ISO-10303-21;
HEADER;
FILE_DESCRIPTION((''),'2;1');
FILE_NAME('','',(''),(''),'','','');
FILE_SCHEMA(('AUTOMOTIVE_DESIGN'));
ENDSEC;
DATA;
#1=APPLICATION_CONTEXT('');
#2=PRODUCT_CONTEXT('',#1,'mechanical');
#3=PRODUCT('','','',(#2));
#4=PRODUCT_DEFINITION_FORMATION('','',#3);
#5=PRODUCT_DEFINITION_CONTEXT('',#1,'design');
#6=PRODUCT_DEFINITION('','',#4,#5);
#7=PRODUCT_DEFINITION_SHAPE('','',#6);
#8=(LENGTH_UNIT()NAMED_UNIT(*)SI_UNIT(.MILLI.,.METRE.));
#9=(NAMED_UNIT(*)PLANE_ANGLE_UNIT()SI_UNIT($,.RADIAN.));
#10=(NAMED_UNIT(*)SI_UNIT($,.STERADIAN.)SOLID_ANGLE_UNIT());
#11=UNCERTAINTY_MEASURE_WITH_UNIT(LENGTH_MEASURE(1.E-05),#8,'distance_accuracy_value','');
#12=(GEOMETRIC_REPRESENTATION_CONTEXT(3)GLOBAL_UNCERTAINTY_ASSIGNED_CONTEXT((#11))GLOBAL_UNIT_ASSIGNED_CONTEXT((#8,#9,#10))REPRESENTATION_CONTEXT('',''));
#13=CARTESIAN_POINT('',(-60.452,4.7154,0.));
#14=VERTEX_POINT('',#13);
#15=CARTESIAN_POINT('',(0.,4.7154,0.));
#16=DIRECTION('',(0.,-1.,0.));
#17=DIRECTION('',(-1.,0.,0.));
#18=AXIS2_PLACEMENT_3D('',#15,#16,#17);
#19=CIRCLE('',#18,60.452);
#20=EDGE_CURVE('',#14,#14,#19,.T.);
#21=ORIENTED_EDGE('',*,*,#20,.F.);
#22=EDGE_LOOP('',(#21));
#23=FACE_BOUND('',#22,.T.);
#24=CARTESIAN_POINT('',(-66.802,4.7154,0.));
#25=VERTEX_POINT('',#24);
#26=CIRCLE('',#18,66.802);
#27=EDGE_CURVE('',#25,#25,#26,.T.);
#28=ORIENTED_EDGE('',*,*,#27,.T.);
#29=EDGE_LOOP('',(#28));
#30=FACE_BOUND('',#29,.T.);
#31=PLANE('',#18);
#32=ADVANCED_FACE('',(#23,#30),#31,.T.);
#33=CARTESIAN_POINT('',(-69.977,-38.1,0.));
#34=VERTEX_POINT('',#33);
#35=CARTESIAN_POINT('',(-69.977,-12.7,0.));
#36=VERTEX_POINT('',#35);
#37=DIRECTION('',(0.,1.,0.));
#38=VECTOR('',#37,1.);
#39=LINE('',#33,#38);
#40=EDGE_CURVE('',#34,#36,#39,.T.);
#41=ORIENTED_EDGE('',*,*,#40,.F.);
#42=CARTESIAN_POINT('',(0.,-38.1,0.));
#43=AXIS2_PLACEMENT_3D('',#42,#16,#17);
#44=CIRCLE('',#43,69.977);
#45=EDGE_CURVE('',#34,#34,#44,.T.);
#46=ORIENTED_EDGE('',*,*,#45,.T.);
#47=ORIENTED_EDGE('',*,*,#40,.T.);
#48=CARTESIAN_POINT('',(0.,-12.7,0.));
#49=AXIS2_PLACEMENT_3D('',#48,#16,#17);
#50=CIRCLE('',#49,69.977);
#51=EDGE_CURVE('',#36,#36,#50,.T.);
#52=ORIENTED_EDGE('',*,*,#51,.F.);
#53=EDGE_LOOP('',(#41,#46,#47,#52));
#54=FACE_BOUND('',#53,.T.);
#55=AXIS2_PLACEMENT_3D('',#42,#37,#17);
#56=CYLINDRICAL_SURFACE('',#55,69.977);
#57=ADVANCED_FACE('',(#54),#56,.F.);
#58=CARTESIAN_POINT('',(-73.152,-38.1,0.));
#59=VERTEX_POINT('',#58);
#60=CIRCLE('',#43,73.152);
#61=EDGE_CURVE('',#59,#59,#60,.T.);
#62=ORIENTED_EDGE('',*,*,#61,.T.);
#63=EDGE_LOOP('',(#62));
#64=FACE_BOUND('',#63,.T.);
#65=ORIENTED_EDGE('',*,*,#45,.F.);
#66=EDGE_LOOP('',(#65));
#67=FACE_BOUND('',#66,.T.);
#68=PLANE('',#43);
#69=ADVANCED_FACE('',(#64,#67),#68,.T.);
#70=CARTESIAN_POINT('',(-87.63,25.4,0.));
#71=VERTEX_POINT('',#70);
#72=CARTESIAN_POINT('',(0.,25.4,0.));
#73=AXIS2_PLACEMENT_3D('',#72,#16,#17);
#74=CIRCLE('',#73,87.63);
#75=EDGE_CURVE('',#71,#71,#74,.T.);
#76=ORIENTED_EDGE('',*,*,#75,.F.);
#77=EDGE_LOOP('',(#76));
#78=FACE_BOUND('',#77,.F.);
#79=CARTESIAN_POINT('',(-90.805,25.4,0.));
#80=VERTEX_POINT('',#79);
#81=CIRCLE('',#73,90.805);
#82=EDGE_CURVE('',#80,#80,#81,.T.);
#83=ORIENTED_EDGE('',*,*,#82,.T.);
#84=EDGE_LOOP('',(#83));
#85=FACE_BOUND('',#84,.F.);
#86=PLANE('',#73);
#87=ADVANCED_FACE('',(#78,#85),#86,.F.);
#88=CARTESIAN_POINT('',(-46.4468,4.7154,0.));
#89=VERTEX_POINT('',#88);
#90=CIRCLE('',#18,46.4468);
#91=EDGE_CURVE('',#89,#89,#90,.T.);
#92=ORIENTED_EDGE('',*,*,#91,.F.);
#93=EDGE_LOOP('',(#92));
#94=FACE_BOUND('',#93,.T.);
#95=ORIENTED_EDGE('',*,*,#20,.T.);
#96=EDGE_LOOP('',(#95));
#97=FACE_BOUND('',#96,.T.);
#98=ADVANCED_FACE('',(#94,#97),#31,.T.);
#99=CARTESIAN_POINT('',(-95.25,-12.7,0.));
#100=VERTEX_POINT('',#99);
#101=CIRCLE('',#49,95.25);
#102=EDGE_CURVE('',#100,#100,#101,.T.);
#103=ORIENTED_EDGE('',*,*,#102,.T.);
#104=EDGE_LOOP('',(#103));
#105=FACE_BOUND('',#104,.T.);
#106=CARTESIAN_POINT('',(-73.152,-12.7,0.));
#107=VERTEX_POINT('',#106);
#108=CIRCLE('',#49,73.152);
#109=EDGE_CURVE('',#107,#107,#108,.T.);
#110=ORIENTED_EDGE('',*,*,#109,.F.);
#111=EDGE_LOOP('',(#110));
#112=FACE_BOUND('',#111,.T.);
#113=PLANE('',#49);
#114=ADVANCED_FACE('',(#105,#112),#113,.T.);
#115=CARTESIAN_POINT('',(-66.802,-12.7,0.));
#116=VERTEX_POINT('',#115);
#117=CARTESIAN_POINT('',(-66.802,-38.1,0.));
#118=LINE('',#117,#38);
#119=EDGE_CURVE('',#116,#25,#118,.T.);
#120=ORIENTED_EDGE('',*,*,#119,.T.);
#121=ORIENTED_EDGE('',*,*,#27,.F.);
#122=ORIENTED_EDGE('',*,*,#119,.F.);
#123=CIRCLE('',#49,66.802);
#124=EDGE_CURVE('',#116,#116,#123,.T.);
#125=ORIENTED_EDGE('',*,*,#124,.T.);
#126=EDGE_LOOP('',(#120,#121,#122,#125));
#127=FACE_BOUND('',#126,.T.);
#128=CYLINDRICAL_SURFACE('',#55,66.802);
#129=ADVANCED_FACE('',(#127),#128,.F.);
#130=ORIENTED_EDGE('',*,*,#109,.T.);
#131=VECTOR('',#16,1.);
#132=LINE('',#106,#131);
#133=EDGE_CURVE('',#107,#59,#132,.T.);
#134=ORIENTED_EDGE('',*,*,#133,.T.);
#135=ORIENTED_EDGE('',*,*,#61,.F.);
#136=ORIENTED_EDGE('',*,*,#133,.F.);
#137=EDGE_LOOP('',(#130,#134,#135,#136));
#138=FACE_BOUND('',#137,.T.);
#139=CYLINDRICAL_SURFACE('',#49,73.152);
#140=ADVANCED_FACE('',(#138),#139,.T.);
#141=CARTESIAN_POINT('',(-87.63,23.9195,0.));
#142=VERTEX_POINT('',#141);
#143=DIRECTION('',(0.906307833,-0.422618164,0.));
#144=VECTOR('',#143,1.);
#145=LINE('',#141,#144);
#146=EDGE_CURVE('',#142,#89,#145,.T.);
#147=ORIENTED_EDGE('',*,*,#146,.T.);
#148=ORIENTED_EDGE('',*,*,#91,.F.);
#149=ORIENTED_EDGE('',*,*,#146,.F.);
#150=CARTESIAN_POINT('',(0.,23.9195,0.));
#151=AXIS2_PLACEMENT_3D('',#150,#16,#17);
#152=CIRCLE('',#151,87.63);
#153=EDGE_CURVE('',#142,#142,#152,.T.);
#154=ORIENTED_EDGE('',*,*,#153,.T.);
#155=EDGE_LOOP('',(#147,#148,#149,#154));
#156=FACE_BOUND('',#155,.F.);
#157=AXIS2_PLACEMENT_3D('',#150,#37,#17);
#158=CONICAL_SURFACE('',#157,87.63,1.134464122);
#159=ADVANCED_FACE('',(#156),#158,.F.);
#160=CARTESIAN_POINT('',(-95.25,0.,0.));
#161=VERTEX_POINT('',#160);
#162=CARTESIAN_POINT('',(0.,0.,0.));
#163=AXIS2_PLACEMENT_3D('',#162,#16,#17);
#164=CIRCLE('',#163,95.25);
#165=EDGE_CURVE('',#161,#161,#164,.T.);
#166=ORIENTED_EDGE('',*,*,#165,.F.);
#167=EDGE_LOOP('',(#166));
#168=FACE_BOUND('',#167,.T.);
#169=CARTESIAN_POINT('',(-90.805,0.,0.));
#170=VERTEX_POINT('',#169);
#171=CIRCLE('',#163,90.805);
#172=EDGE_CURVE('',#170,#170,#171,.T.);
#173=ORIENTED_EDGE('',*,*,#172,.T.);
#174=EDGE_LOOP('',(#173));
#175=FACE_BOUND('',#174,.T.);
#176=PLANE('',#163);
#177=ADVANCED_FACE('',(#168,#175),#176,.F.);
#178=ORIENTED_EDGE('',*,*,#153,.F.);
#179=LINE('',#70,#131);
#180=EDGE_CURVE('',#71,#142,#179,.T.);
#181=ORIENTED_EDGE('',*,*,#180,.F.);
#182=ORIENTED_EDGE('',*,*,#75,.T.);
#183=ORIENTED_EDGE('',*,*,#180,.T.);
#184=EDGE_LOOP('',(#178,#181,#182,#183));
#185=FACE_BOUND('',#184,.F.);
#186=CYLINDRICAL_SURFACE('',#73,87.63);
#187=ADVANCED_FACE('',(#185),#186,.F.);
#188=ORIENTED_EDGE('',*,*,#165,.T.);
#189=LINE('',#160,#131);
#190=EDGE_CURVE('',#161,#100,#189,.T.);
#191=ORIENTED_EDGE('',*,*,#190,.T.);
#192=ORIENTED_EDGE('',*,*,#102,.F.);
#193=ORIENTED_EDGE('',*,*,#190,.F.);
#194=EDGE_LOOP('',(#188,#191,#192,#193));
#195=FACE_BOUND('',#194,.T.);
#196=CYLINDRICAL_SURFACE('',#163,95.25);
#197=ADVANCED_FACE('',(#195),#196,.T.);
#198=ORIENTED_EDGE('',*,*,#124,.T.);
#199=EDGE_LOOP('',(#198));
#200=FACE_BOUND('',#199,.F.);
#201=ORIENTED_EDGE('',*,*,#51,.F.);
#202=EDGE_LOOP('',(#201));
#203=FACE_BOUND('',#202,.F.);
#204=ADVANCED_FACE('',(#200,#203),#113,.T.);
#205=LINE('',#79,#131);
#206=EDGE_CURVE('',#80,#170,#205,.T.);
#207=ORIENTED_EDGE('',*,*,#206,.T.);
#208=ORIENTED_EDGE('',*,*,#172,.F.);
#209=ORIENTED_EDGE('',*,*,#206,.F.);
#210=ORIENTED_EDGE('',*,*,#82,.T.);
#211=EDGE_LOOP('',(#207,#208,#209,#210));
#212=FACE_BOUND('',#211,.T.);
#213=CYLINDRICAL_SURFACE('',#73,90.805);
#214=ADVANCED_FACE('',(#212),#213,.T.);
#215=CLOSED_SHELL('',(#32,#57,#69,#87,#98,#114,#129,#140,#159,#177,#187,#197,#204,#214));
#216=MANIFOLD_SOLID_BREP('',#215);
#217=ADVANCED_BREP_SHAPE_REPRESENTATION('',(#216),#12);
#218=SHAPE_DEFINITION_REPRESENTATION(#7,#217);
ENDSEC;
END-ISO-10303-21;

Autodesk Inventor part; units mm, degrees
ref_plane "YZ Plane" through (0, 0, 0) normal (1, 0, 0) x (0, 1, 0)
ref_plane "XZ Plane" through (0, 0, 0) normal (0, 1, 0) x (-1, 0, 0)
ref_plane "XY Plane" through (0, 0, 0) normal (0, 0, 1) x (1, 0, 0)
sketch "Sketch1" plane through (0, 0, 0) normal (0, 0, 1) x (1, 0, 0)
  line L0 (0, 25.4) -> (-28.702, 25.4) construction
  line L1 (0, 25.4) -> (-95.25, 25.4) construction
  line L2 (-95.25, 25.4) -> (-90.805, 25.4) construction
  line L3 (-90.805, 25.4) -> (-90.805, 22.4389) construction
  line L4 (-90.805, 0) -> (-95.25, 0)
  line L5 (-28.702, 59.6457) -> (-28.702, -91.9304) construction
  arc A0 (-28.9184, -9.248) -> (-32.3684, -1.8494) centre (-35.052, -7.6045) ccw
  line L6 (-76.2, -185.7054) -> (-28.702, -8.4405)
  line L7 (-90.805, 25.4) -> (-90.805, 0)
  line L8 (-87.63, 23.9195) -> (-32.3684, -1.8494)
  line L9 (-28.702, -7.6045) -> (-60.452, -7.6045) construction
  line L10 (-60.452, -126.9331) -> (-54.102, -126.9331) construction
  line L11 (-54.102, -126.9331) -> (-54.102, -103.2346) construction
  line L12 (-54.102, -103.2346) -> (-60.452, -103.2346)
  line L13 (-60.452, 11.2462) -> (-60.452, 1.7212) construction
  line L14 (-60.452, 11.2462) -> (-60.452, 4.7154) construction
  line L15 (-60.452, 4.7154) -> (-46.4468, 4.7154)
  line L16 (-95.25, 0) -> (-95.25, -12.7) construction
  line L17 (-60.452, -12.7) -> (-73.152, -12.7) construction
  line L18 (-95.25, -12.7) -> (-95.25, -25.4) construction
  line L19 (-95.25, -25.4) -> (-95.25, -88.9) construction
  line L20 (-95.25, -88.9) -> (-82.55, -88.9) construction
  line L21 (-82.55, -88.9) -> (-82.55, -25.4) construction
  line L22 (-95.25, -25.4) -> (-82.55, -25.4)
  line L23 (-82.55, -25.4) -> (-82.55, -88.9)
  line L24 (-82.55, -88.9) -> (-95.25, -88.9)
  line L25 (-95.25, -12.7) -> (-73.152, -12.7)
  line L26 (-73.152, -138.7824) -> (-63.627, -138.7824)
  line L27 (-82.55, -88.9) -> (-82.55, -185.7054)
  line L28 (-82.55, -185.7054) -> (-76.2, -185.7054)
  line L29 (-73.152, -12.7) -> (-73.152, -138.7824)
  line L30 (-88.9, -25.4) -> (-88.9, -31.3436)
  line L31 (-88.9, -31.3436) -> (-95.25, -31.3436)
  line L32 (-95.25, 0) -> (-95.25, -25.4)
  line L33 (-95.25, -31.3436) -> (-95.25, -88.9)
  line L34 (-88.9, -160.3054) -> (-88.9, -221.2532)
  line L35 (-28.9184, -9.248) -> (-85.725, -221.2532)
  line L36 (-85.725, -221.2532) -> (-88.9, -221.2532)
  line L37 (-82.55, -160.3054) -> (-88.9, -160.3054)
  line L38 (-66.802, -38.1) -> (-66.802, 4.7154)
  line L39 (-66.802, 4.7154) -> (-60.452, 4.7154)
  line L40 (-66.802, -38.1) -> (-60.452, -103.2346)
  line L41 (-60.452, 11.2462) -> (-60.452, 4.7154) construction
  line L42 (-60.452, -7.6045) -> (-60.452, -12.7) construction
  line L43 (-60.452, -103.2346) -> (-60.452, -126.9331) construction
  line L44 (0, 59.6457) -> (0, -91.9304) construction
  line L45 (-73.152, -38.1) -> (-69.977, -38.1)
  line L46 (-69.977, -38.1) -> (-69.977, -12.7)
  line L47 (-66.802, -12.7) -> (-69.977, -12.7)
  line L48 (-90.805, 25.4) -> (-87.63, 25.4)
  line L49 (-87.63, 25.4) -> (-87.63, 23.9195)
  point P0 (0, 0)
  point P1 (-95.25, -255.9127)
  point P2 (-88.7095, 22.4389)
  dimension "d0" = 28.702
  dimension "d1" = 95.25
  dimension "d2" = 4.445
  dimension "d5" = 25.4
  dimension "d6" = 25.4
  dimension "d8" = 12.7
  dimension "d12" = 31.75
  dimension "d13" = 6.35
  dimension "d16" = 12.7
  dimension "d17" = 12.7
  dimension "d18" = 12.7
  dimension "d19" = 63.5
  dimension "d20" = 12.7
  dimension "d22" = 9.525
  dimension "d23" = 6.35
  dimension "d25" = 5.9436
  dimension "d27" = 3.175
  dimension "d28" = 6.35
  dimension "d29" = 25.4
  dimension "d30" = 107.95
  dimension "d31" = 6.35
  dimension "d33" = 20.3552
  dimension "d34" = 15
  dimension "d35" = 3.175
  dimension "d36" = 25.4
  dimension "d38" = 3.175
  dimension "d39" = 1.4805
  dimension "d40" = 25
revolve "Revolution1" add sketch "Sketch1" angle 360 about axis through (0, 59.6457, 0) along (0, -1, 0) contours L7 L48 L49 L8 L15 L39 L38 L47 L46 L45 L29 L25 L32 L4
properties part number "phenolic_top" material "Phenolic Resin"
